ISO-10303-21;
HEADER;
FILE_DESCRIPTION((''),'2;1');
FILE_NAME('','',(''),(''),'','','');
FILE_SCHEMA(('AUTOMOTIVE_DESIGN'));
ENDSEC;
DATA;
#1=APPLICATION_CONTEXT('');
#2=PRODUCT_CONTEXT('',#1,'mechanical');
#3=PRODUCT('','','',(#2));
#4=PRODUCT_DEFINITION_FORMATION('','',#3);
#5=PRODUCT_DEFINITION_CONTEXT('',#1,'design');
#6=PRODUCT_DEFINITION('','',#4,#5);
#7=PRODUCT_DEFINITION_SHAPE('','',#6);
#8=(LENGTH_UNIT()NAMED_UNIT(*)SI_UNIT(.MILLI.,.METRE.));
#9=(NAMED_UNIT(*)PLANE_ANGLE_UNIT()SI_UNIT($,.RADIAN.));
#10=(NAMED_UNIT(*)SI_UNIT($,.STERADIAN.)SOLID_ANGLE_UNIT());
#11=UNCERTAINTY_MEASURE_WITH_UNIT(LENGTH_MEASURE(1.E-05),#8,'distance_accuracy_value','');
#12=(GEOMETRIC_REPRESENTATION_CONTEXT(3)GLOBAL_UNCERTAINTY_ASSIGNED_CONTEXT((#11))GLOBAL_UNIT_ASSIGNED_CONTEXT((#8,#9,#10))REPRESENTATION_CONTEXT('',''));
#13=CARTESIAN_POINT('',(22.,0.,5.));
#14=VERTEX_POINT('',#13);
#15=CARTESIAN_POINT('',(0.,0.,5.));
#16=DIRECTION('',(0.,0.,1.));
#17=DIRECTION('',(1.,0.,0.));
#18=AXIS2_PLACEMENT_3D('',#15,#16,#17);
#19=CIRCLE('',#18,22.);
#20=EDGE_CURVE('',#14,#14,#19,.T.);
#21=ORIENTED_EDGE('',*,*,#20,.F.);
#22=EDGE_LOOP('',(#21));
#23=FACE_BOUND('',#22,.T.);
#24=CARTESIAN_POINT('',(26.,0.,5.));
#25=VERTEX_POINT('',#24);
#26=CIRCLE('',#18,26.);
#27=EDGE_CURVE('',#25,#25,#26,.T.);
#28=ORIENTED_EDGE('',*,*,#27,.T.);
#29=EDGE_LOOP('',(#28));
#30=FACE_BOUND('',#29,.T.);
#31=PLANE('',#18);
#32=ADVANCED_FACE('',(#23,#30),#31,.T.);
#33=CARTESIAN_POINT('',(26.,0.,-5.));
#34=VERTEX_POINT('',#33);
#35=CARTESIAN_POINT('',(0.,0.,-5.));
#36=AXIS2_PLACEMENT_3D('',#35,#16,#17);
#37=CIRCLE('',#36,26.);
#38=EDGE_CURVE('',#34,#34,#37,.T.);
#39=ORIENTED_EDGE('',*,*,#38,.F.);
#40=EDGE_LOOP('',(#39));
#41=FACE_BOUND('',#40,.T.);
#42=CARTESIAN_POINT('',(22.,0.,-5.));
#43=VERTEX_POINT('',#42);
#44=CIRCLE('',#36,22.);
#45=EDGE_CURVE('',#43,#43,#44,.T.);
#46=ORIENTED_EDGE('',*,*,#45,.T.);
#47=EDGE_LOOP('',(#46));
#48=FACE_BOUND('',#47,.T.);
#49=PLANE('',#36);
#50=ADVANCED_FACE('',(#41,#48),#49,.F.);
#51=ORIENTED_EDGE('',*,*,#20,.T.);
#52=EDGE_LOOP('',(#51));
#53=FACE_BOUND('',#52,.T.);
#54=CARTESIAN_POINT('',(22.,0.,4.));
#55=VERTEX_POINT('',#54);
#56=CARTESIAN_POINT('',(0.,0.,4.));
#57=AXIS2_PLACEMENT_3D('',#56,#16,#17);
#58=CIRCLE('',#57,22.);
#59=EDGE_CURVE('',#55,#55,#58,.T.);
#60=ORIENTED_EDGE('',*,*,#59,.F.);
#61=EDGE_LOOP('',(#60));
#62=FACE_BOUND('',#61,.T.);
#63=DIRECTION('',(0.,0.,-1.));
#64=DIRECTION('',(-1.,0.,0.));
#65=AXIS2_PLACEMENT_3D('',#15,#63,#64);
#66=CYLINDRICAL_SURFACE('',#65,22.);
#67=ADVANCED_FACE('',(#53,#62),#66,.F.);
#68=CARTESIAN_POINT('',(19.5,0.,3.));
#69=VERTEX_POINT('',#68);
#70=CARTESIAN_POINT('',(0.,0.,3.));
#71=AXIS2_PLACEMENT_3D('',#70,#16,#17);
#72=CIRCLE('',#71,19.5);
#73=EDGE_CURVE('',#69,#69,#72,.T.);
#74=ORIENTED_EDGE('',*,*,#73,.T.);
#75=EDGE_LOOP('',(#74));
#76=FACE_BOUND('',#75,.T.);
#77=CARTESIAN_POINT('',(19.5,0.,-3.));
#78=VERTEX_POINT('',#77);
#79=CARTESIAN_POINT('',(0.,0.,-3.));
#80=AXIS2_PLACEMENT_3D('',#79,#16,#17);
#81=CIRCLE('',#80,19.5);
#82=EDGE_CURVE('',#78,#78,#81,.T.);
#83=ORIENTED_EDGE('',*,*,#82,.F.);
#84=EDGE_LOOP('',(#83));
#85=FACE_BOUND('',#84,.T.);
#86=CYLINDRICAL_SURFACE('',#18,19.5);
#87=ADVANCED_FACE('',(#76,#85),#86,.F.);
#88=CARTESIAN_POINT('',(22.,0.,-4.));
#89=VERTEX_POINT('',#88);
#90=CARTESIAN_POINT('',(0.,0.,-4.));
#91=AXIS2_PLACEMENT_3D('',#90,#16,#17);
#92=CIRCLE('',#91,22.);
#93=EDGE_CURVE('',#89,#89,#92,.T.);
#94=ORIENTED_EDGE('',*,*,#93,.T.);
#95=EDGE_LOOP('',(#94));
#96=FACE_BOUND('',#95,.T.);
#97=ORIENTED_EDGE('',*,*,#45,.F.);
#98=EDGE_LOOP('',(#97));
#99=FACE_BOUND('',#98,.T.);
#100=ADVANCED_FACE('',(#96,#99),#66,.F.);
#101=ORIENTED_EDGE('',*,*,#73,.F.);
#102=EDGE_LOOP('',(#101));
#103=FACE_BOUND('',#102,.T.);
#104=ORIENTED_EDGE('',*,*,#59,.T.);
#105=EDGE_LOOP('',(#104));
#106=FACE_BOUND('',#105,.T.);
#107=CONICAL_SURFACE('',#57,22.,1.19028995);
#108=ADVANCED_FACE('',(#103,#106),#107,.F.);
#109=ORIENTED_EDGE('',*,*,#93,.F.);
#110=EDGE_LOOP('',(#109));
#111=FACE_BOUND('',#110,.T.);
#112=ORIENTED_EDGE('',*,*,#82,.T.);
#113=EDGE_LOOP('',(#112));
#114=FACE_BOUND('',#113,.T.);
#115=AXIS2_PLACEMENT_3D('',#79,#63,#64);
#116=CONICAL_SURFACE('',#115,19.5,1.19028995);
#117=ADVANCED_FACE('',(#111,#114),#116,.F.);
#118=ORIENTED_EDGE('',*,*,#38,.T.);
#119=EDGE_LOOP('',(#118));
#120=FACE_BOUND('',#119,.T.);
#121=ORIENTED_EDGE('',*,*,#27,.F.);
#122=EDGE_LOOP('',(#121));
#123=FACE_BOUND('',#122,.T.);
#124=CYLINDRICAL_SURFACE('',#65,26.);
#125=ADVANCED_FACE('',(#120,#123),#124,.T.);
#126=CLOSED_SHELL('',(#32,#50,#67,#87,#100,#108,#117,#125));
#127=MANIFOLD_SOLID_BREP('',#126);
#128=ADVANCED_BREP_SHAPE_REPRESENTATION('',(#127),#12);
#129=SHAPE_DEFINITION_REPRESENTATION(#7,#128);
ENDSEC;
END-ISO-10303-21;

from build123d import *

# Parameters (mm, degrees)
EXTRUDE_1_DEPTH      = 5
EXTRUDE_1_DEPTH_BACK = 5
SKETCH_1_R           = 26
SKETCH_1_R_2         = 22


with BuildPart() as part:
    # Эскиз1 → Бобышка-Вытянуть1 (new, two sides: drawn at the far end of the back side and taken through both)
    with BuildSketch(Plane.XY.offset(-EXTRUDE_1_DEPTH_BACK)):
        Circle(SKETCH_1_R)
        Circle(SKETCH_1_R_2, mode=Mode.SUBTRACT)
    extrude(amount=EXTRUDE_1_DEPTH + EXTRUDE_1_DEPTH_BACK)

    # Эскиз5 → Повернуть2 (revolve)
    with BuildSketch(Plane(origin=(0, 0, 0), x_dir=(0, 0, -1), z_dir=(1, 0, 0))):
        Polygon((-3, 19.5), (3, 19.5), (4, 22), (-4, 22), align=None)
    revolve(axis=Axis((0, 0, 5), (0, 0, -1)))


solid = part.part
